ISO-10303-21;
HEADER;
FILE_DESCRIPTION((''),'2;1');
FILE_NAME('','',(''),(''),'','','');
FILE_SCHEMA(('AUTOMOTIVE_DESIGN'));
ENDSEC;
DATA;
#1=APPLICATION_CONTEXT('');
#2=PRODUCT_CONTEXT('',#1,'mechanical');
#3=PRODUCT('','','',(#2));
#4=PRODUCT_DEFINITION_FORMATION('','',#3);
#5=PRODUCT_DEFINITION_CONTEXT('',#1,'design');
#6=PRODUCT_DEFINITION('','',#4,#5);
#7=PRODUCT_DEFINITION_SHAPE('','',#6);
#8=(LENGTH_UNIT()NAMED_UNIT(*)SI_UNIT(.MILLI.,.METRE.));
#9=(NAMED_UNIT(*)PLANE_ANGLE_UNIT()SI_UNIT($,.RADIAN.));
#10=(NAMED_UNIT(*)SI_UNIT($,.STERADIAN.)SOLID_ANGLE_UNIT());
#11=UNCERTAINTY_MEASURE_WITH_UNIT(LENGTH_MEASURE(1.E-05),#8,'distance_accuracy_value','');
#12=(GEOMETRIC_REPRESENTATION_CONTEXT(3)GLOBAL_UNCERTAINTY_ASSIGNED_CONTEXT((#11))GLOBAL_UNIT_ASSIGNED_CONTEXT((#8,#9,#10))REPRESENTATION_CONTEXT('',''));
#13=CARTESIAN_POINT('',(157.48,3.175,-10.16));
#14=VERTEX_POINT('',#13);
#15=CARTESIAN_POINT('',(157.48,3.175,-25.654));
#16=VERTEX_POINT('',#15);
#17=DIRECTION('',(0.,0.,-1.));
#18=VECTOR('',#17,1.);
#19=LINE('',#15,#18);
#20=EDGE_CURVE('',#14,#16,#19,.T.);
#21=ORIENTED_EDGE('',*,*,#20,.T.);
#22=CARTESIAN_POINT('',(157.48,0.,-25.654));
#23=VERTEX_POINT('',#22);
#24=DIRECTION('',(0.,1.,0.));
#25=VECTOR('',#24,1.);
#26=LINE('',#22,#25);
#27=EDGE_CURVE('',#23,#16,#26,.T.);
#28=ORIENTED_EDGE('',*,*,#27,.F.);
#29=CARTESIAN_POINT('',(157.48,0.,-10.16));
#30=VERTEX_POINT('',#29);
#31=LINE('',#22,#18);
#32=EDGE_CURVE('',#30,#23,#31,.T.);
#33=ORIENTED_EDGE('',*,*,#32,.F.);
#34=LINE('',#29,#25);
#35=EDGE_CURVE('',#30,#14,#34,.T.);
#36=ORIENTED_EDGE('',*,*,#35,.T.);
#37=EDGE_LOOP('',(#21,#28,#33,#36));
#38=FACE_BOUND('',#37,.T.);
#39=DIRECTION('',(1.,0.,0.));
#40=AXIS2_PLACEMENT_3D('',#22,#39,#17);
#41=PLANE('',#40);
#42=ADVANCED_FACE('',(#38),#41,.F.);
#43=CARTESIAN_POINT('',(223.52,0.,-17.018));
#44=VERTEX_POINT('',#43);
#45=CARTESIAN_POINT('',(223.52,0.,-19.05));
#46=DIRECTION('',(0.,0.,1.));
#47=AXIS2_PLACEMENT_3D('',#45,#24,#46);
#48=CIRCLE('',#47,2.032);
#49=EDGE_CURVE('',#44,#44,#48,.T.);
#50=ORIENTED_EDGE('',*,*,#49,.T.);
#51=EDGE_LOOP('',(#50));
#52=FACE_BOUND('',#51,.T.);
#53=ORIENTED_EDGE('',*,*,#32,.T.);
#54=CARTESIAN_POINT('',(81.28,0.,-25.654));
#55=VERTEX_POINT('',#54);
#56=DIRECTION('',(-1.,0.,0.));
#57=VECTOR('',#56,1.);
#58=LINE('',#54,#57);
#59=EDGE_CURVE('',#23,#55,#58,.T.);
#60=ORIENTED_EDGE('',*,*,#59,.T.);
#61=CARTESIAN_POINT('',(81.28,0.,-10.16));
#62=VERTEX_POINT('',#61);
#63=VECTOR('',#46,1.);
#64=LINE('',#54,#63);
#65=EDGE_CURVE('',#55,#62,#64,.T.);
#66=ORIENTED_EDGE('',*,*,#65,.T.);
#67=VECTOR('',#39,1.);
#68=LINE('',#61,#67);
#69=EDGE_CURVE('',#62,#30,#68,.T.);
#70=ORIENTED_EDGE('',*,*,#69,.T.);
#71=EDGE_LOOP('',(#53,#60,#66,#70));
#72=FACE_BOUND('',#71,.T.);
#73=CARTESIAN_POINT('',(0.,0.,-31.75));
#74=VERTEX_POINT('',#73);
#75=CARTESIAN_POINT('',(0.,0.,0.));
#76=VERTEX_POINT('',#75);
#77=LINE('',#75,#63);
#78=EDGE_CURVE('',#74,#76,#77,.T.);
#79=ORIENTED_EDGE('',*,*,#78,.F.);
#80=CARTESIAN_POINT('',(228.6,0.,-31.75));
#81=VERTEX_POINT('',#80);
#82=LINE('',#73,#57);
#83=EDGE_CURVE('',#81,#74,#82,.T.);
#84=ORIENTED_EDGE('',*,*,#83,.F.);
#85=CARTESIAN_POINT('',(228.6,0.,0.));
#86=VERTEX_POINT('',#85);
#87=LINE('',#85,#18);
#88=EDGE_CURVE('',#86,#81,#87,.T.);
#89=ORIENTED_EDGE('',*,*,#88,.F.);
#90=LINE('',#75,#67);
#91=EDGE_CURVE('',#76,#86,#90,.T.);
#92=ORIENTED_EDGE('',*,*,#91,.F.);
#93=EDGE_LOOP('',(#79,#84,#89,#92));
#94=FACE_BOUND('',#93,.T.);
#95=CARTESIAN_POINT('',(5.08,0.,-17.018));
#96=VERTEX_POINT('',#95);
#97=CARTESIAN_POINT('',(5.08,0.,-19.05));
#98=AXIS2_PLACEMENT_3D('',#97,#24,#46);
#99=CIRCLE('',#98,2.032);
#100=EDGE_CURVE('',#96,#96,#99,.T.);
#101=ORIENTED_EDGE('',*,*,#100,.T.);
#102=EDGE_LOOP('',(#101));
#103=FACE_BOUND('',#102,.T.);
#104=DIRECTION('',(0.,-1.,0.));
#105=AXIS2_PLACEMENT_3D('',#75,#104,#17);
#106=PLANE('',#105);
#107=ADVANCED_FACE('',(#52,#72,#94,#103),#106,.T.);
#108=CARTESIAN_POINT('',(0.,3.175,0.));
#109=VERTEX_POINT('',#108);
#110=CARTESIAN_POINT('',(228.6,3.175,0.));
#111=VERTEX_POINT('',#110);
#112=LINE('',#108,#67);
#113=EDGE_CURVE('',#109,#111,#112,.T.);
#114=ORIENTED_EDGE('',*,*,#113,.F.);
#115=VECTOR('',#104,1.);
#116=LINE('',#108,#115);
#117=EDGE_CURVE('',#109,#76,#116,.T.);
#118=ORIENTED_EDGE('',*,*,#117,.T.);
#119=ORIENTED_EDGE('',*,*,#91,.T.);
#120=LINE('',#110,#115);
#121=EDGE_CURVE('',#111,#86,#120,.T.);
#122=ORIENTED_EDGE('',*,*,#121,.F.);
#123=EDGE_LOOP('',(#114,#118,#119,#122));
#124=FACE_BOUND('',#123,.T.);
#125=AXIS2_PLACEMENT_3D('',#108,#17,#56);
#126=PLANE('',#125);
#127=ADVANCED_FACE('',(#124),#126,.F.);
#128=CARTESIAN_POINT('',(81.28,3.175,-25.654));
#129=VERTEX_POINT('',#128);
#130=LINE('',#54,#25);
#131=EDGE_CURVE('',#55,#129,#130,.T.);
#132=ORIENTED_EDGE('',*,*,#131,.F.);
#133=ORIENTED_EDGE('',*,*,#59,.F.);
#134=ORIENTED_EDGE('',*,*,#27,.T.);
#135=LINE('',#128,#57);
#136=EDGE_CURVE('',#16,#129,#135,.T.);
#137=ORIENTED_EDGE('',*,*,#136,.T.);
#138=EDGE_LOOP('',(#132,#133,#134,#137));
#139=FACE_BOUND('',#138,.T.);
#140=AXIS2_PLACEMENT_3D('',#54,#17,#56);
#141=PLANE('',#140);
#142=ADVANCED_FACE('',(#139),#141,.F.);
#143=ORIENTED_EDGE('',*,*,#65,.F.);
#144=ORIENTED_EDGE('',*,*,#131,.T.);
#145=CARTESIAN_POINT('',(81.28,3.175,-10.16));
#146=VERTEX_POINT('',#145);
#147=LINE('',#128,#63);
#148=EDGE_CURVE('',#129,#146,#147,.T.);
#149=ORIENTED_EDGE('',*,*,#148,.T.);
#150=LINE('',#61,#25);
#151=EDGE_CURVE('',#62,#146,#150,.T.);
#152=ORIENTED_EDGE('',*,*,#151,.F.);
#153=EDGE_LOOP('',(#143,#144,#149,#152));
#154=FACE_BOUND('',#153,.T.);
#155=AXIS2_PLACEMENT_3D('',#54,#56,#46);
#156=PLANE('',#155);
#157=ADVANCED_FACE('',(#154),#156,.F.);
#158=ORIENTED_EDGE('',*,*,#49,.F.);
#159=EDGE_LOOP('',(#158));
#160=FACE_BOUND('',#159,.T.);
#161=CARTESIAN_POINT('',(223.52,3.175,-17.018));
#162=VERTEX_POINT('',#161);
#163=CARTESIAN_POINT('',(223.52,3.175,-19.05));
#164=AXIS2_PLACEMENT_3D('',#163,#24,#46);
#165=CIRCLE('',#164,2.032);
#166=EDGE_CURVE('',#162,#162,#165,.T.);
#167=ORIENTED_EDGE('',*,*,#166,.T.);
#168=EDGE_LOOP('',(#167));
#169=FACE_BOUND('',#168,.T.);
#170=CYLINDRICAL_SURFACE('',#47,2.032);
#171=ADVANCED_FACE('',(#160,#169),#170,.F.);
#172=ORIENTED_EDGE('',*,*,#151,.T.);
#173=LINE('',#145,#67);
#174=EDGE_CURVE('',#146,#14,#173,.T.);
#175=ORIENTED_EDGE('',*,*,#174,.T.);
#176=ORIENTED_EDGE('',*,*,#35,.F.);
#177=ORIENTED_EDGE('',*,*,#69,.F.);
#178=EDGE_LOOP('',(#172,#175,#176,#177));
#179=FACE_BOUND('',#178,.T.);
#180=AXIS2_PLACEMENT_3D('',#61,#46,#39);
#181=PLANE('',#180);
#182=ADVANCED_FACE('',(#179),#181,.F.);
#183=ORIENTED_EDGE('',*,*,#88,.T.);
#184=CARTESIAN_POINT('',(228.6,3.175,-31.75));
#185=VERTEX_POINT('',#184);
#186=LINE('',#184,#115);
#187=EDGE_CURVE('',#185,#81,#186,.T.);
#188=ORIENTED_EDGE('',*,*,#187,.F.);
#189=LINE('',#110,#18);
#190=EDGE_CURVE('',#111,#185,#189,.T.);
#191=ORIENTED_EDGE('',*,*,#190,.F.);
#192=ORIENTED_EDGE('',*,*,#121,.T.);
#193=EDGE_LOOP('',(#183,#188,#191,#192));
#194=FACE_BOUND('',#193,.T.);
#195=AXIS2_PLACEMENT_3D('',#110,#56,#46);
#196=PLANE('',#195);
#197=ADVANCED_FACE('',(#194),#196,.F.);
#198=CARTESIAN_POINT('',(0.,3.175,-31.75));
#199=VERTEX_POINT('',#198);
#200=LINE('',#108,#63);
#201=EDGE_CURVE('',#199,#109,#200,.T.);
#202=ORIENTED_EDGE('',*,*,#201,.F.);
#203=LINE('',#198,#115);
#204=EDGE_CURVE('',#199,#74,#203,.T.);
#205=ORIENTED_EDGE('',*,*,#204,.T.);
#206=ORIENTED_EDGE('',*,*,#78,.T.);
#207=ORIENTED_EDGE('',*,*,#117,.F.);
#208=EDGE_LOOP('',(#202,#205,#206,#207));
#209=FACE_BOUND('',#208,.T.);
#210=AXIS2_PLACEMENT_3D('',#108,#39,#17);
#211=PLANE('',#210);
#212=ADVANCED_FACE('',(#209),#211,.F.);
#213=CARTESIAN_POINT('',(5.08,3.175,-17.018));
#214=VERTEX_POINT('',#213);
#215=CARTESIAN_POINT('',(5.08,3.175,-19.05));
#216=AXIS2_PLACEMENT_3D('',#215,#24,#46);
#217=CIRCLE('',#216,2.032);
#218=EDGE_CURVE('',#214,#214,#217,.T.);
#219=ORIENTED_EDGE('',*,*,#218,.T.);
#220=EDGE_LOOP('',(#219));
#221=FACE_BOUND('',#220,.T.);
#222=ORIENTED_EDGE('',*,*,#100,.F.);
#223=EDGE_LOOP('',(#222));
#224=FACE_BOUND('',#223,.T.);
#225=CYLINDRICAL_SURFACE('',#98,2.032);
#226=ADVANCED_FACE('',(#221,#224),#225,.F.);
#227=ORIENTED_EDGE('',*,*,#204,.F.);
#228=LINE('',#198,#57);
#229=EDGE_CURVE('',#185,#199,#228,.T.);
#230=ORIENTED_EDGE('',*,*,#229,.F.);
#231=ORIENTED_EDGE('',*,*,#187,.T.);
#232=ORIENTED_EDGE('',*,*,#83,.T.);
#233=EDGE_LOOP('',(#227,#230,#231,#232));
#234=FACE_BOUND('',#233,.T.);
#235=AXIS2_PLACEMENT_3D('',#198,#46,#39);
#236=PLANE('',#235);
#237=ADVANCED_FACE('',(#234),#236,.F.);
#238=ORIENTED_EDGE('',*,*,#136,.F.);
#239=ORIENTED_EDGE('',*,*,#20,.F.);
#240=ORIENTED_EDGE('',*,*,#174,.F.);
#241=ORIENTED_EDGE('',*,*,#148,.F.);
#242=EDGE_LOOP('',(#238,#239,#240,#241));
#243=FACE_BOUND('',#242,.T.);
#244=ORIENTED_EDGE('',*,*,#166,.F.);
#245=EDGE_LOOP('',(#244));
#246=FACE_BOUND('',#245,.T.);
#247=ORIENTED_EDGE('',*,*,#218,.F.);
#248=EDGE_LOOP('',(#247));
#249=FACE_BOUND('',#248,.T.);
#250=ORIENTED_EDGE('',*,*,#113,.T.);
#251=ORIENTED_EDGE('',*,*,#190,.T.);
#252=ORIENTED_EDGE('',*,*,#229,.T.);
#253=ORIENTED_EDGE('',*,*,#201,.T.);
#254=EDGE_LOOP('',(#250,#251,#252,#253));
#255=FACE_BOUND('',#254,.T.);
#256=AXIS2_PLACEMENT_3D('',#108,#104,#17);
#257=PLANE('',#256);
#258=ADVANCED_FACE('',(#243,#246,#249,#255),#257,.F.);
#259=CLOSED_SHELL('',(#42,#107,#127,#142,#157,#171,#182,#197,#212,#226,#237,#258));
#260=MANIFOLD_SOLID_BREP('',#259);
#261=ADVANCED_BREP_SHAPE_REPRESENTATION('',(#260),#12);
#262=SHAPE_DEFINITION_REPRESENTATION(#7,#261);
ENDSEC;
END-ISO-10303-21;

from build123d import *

# Parameters (mm, degrees)
SKETCH1_W           = 228.6
SKETCH1_H           = 31.75
BOSS_EXTRUDE1_DEPTH = 3.175
SKETCH2_R           = 2.032
CUT_EXTRUDE1_DEPTH  = 3.175
SKETCH3_W           = 76.2
SKETCH3_H           = 15.494
CUT_EXTRUDE2_DEPTH  = 3.175


with BuildPart() as part:
    # Sketch1 → Boss-Extrude1 (new body)
    with BuildSketch(Plane(origin=(0, 0, 0), x_dir=(1, 0, 0), z_dir=(0, 1, 0))):
        with Locations((114.3, 15.875)):
            Rectangle(SKETCH1_W, SKETCH1_H)
    extrude(amount=BOSS_EXTRUDE1_DEPTH)

    # Sketch2 → Cut-Extrude1 (cut)
    with BuildSketch(Plane(origin=(0, 3.175, 0), x_dir=(1, 0, 0), z_dir=(0, 1, 0))):
        with Locations((5.08, 19.05)):
            Circle(SKETCH2_R)
        with Locations((223.52, 19.05)):
            Circle(SKETCH2_R)
    extrude(amount=-CUT_EXTRUDE1_DEPTH, mode=Mode.SUBTRACT)

    # Sketch3 → Cut-Extrude2 (cut)
    with BuildSketch(Plane(origin=(0, 3.175, 0), x_dir=(1, 0, 0), z_dir=(0, 1, 0))):
        with Locations((119.38, 17.907)):
            Rectangle(SKETCH3_W, SKETCH3_H)
    extrude(amount=-CUT_EXTRUDE2_DEPTH, mode=Mode.SUBTRACT)


solid = part.part
